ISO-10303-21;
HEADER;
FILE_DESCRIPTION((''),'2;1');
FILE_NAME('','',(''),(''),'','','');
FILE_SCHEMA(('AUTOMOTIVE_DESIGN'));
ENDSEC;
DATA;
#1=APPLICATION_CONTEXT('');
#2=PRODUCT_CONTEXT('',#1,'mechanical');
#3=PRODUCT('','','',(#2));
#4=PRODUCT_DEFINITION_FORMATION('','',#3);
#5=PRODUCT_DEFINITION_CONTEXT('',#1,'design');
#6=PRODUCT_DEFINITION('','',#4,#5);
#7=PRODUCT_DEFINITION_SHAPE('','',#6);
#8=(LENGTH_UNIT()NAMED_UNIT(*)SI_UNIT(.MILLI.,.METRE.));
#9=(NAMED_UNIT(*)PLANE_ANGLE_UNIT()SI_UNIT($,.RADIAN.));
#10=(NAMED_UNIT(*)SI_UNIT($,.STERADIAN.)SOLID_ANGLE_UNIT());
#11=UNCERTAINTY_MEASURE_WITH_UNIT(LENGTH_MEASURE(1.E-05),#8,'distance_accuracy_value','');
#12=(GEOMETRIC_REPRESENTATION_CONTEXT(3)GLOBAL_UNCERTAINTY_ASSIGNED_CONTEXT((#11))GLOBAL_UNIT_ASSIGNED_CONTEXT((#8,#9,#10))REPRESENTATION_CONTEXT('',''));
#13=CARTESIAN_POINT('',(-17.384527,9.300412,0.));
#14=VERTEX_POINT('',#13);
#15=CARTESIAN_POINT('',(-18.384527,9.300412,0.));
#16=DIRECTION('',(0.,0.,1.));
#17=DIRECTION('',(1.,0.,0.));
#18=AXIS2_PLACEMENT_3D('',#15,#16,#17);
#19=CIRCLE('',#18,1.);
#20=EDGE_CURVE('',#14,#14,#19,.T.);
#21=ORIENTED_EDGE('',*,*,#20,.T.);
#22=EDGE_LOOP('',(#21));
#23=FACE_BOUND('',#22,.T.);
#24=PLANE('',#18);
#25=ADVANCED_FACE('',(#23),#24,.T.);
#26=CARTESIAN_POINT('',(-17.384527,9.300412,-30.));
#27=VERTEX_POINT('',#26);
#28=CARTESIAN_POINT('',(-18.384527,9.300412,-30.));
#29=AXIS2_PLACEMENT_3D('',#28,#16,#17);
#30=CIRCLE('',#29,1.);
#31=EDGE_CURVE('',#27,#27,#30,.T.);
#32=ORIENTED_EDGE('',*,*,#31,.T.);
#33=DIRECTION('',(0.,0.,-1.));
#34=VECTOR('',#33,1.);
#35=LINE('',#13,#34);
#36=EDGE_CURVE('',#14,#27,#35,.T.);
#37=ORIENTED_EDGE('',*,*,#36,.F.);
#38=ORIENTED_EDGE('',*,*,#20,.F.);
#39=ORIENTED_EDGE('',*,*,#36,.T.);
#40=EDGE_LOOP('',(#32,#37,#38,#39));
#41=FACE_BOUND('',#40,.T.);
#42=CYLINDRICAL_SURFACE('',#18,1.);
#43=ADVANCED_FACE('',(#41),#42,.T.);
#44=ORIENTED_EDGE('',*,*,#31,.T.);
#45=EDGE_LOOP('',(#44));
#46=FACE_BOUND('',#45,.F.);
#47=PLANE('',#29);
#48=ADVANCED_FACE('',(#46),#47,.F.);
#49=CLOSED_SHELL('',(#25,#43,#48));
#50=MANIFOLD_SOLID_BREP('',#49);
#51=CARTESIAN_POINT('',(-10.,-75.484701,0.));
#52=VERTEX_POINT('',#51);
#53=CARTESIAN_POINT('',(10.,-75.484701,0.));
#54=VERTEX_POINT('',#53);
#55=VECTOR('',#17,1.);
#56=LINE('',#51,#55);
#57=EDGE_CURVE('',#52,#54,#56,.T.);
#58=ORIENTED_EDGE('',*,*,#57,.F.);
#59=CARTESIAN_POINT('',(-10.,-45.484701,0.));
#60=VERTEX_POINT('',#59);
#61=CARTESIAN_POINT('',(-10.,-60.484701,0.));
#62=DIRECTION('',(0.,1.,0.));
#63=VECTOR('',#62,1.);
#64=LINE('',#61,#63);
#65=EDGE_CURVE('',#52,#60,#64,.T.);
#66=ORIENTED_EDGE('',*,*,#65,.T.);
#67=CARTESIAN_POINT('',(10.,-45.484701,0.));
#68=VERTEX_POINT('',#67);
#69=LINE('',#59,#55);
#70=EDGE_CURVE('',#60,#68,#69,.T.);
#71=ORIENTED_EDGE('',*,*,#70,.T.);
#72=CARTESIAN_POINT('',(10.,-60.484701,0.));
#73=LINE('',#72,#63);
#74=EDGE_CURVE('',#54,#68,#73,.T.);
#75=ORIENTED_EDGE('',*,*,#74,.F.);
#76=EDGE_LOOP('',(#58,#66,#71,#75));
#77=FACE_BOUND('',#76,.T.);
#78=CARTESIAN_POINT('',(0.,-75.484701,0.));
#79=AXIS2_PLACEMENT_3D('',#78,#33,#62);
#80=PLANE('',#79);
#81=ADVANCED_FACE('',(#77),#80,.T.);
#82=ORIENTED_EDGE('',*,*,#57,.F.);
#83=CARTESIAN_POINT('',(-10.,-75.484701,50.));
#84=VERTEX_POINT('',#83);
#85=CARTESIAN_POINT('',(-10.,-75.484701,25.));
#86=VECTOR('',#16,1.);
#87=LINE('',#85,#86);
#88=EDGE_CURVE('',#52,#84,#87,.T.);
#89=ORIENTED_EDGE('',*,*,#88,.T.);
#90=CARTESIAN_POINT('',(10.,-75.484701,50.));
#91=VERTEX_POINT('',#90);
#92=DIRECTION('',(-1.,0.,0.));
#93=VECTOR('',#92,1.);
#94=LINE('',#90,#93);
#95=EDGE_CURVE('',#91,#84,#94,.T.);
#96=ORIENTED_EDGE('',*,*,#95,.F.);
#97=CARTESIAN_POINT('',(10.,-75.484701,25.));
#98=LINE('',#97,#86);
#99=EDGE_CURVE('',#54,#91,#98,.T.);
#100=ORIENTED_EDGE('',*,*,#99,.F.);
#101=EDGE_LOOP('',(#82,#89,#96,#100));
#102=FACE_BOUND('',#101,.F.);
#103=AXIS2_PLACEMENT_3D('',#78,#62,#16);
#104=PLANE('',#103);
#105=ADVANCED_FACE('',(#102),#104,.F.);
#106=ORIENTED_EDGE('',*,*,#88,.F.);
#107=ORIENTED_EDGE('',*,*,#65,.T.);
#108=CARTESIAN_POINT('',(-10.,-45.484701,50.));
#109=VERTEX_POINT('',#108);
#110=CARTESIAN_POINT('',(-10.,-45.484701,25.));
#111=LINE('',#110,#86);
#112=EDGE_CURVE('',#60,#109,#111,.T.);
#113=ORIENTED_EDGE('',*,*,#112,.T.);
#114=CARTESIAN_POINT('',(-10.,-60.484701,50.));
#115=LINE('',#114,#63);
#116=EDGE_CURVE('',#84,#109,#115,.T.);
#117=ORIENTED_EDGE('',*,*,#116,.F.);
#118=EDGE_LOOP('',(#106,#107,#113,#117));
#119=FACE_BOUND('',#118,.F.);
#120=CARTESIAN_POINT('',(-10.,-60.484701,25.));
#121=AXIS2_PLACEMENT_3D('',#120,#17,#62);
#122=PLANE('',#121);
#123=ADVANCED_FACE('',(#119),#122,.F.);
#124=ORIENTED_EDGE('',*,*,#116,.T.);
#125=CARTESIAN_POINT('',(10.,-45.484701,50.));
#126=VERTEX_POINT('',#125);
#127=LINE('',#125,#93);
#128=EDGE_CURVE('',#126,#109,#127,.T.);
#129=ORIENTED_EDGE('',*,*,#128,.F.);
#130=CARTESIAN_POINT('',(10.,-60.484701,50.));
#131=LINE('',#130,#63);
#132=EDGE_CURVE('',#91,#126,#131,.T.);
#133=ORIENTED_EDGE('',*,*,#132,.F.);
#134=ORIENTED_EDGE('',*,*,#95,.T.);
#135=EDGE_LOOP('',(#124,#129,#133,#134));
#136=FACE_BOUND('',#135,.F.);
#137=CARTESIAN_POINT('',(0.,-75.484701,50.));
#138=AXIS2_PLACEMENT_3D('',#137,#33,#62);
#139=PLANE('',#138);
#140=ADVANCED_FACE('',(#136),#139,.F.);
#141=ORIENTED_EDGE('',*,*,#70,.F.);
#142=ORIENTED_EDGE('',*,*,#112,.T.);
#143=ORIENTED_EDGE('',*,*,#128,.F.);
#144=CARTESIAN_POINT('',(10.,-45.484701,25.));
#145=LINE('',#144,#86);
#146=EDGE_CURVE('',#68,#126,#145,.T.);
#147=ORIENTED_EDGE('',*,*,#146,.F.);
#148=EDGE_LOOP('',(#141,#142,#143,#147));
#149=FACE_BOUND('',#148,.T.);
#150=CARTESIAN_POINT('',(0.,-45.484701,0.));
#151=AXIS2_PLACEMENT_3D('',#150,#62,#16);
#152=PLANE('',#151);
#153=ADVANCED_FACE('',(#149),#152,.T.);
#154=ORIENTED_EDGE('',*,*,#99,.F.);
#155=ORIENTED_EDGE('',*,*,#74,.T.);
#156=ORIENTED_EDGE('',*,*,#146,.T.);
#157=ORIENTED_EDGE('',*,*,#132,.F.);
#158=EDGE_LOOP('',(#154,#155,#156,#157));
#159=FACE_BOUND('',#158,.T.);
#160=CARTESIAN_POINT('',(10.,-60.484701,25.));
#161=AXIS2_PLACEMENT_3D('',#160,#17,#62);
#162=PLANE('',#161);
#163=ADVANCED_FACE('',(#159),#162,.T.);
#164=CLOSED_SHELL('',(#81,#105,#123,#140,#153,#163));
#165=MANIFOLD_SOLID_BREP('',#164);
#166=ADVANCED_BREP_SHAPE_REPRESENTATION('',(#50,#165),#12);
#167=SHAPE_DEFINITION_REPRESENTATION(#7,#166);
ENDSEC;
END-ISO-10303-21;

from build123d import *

# Parameters (mm, degrees)
F0_R     = 1
F1_DEPTH = 30
F2_W     = 30
F2_H     = 50
F3_DEPTH = 10


with BuildPart() as f1:
    # F0 (on Top) → F1 (new body)
    with BuildSketch(Plane.XY):
        with Locations((-18.384527, 9.300412)):
            Circle(F0_R)
    extrude(amount=-F1_DEPTH)


with BuildPart() as f3:
    # F2 (on Right) → F3 (new body, symmetric)
    with BuildSketch(Plane.YZ):
        with Locations((-60.484701, 25)):
            Rectangle(F2_W, F2_H)
    extrude(amount=F3_DEPTH, both=True)


solid = Compound([f1.part, f3.part])
